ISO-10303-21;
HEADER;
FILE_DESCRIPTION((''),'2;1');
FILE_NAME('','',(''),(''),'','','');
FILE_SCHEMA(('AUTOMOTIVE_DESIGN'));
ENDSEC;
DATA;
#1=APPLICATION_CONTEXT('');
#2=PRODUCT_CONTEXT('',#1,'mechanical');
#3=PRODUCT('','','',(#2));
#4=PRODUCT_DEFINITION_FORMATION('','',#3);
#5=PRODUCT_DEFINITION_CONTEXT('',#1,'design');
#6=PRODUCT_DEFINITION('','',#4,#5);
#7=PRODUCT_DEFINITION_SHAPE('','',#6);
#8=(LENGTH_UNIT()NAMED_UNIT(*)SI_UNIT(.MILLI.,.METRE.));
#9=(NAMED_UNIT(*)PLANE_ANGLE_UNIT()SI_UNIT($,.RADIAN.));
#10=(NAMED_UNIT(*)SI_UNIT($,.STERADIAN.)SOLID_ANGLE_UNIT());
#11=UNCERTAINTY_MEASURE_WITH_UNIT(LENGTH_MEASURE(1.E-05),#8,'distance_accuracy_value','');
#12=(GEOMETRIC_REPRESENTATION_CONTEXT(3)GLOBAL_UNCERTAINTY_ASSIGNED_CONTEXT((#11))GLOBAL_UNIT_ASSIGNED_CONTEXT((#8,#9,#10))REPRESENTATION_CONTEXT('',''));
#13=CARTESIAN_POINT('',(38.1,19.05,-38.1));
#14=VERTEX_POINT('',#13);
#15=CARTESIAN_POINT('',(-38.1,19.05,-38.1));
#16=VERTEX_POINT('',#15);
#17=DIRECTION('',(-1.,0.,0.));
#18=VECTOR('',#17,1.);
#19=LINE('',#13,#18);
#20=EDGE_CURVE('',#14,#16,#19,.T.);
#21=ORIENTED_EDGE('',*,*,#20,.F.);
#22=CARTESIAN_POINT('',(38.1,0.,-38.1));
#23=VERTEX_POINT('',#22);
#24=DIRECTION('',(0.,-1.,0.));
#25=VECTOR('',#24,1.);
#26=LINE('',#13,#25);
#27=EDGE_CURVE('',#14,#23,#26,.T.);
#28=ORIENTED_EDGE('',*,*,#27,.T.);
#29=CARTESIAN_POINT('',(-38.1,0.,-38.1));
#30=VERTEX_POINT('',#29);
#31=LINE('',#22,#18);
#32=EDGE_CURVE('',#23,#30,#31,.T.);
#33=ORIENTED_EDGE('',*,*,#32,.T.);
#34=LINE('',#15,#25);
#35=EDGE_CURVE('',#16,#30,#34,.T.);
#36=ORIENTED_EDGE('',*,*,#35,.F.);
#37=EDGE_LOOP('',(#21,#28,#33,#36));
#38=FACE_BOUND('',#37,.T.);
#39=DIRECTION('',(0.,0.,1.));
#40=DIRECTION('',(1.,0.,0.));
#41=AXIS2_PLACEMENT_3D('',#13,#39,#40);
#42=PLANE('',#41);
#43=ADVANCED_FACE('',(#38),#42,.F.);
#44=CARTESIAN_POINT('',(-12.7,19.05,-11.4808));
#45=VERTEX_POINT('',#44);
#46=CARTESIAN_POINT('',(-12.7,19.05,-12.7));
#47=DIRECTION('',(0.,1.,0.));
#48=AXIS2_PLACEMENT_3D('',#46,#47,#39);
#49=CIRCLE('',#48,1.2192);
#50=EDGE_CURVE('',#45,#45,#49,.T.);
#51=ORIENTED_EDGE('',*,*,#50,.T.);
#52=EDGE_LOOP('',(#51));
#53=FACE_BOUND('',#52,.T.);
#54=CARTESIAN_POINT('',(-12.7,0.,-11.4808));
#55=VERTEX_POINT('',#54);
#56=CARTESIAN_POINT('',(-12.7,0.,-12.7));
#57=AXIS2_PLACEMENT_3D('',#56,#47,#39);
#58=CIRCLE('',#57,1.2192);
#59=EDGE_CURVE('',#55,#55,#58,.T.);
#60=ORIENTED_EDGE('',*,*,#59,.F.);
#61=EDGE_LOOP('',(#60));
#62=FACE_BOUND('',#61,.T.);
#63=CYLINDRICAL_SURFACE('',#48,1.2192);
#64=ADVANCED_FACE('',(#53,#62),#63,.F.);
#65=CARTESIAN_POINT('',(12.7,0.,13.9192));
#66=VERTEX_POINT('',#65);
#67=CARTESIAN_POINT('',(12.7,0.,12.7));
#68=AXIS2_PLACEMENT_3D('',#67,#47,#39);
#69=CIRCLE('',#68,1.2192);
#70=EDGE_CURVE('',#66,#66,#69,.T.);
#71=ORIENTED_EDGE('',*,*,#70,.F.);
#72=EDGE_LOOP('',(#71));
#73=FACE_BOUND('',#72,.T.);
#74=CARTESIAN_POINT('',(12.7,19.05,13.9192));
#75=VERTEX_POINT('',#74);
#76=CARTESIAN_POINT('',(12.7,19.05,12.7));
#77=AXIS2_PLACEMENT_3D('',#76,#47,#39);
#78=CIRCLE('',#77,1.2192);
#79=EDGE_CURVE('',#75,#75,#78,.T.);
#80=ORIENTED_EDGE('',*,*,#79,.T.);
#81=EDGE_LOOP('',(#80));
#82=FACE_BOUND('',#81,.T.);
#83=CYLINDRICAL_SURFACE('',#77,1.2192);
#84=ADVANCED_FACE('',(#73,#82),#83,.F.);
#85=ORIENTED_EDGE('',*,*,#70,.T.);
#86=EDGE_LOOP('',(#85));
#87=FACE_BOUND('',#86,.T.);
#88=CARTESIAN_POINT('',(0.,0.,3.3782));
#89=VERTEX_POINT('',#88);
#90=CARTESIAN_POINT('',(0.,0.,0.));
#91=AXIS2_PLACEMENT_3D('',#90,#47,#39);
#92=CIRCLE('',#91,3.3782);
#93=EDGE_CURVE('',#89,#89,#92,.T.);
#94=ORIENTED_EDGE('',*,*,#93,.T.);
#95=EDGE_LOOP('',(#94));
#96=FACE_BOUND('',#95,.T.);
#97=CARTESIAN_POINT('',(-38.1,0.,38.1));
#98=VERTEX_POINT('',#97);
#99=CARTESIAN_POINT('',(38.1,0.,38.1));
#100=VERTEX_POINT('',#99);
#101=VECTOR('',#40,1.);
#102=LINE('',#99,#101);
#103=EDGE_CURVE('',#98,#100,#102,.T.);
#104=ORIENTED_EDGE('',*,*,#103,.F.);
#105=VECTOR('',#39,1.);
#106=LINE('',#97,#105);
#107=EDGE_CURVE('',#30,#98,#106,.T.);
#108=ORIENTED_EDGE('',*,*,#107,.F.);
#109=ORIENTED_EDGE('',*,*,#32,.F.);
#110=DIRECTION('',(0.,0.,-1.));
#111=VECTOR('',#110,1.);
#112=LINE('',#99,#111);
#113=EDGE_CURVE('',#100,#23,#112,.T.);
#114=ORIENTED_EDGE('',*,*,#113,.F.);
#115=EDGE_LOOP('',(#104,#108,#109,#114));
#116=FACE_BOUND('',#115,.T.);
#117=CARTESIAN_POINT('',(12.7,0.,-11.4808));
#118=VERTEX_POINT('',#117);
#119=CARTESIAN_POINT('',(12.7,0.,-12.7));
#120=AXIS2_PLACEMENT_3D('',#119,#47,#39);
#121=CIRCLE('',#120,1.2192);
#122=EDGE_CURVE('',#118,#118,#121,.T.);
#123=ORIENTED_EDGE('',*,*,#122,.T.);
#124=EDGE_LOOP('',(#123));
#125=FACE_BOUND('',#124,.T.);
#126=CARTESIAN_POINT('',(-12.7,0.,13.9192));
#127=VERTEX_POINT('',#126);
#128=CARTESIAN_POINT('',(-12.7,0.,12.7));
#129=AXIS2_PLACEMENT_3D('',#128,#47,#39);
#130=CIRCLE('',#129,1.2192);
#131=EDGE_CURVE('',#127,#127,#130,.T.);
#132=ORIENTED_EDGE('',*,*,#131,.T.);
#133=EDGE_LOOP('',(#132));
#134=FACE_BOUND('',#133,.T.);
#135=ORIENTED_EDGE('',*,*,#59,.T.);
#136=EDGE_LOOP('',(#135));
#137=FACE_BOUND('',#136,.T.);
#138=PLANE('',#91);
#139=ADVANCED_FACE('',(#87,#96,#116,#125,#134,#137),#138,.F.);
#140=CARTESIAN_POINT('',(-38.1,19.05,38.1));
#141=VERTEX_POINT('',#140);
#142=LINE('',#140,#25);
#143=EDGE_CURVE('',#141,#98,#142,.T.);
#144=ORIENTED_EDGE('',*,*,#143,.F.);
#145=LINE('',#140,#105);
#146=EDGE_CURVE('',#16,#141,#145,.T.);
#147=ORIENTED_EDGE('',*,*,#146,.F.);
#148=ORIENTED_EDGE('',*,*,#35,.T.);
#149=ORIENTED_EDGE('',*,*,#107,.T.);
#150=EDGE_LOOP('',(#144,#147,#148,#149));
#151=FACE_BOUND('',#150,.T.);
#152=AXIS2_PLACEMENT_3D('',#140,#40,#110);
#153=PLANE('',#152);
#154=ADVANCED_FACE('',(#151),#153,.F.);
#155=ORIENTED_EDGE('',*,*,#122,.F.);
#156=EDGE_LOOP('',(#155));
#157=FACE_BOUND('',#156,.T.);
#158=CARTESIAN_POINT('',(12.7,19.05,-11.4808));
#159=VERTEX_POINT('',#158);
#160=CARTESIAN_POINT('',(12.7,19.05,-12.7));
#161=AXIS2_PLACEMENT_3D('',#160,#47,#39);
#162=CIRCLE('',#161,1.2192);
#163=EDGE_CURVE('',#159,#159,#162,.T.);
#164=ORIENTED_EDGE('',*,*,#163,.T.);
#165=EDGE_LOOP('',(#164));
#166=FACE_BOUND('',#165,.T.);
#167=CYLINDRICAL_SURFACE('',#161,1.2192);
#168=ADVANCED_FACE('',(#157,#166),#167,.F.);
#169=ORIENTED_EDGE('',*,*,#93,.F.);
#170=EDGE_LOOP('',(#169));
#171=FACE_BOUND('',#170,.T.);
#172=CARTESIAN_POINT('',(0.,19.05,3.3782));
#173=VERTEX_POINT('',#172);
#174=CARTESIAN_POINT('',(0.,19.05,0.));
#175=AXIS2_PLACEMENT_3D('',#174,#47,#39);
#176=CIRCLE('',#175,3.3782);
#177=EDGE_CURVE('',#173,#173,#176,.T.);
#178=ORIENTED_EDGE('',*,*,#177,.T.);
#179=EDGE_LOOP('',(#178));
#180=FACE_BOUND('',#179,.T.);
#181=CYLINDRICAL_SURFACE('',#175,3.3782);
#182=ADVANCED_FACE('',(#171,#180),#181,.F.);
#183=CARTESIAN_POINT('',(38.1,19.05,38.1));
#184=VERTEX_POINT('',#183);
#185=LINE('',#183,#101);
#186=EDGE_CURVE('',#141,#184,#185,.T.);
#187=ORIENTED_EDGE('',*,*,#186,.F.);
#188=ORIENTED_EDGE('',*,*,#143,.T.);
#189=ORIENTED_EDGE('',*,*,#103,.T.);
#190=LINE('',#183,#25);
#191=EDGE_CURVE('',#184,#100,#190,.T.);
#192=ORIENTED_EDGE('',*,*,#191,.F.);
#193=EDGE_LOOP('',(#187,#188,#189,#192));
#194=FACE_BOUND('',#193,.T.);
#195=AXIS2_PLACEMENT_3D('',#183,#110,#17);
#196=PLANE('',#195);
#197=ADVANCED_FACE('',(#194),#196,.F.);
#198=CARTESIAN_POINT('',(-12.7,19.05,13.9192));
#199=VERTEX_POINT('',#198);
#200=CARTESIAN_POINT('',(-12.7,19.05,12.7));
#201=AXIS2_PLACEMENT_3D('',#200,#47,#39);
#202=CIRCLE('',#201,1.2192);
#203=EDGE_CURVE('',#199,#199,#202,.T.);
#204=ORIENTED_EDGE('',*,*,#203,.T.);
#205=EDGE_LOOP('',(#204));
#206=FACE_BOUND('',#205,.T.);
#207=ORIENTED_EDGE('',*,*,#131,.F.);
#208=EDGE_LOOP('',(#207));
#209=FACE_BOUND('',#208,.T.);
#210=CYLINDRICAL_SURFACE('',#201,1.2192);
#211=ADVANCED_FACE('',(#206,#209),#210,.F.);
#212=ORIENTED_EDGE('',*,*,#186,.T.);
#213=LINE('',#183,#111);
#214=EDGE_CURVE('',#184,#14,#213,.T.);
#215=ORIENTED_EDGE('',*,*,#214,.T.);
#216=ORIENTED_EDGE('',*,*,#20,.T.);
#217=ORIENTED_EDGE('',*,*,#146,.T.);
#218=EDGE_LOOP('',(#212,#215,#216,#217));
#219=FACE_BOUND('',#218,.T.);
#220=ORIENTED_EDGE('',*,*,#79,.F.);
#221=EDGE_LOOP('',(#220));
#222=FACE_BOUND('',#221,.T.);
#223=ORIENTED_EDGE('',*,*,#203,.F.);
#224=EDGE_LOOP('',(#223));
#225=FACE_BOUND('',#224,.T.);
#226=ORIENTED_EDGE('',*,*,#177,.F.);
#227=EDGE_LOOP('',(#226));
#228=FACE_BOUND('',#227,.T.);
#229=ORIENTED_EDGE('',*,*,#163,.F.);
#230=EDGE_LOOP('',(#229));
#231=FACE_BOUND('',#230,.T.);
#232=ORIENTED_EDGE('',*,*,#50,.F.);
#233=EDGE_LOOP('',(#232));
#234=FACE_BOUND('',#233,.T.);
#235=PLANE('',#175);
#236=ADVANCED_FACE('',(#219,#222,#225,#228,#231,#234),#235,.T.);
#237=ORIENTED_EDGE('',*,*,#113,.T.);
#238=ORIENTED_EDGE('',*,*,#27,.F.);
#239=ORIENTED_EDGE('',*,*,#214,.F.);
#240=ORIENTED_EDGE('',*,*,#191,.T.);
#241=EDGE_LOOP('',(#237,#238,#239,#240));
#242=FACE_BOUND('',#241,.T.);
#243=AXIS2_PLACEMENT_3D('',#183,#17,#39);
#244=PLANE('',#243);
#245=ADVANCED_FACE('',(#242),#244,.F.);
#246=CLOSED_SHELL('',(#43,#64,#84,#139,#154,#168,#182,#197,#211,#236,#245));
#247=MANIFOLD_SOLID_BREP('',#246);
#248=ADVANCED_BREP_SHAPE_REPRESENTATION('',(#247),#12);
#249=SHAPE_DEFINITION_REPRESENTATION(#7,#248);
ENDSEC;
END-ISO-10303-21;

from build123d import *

# Parameters (mm, degrees)
SKETCH1_W               = 76.2
SKETCH1_H               = 76.2
BOSS_EXTRUDE1_DEPTH     = 19.05
F_1_4_CLEARANCE_HOLE1_D = 6.7564
F_2_CLEARANCE_HOLE1_D   = 2.4384
F_2_CLEARANCE_HOLE2_D   = 2.4384


with BuildPart() as part:
    # Sketch1 → Boss-Extrude1 (new body)
    with BuildSketch(Plane(origin=(0, 0, 0), x_dir=(1, 0, 0), z_dir=(0, 1, 0))):
        Rectangle(SKETCH1_W, SKETCH1_H)
    extrude(amount=BOSS_EXTRUDE1_DEPTH)

    # 1/4 Clearance Hole1 (through all)
    with Locations(Plane(origin=(0, 19.05, 0), x_dir=(1, 0, 0), z_dir=(0, 1, 0))):
        with Locations((0, 0)):
            Hole(F_1_4_CLEARANCE_HOLE1_D / 2)

    # #2 Clearance Hole1 (through all)
    with Locations(Plane(origin=(0, 19.05, 0), x_dir=(1, 0, 0), z_dir=(0, 1, 0))):
        with Locations((-12.7, 12.7), (0, 0)):
            Hole(F_2_CLEARANCE_HOLE1_D / 2)

    # #2 Clearance Hole2 (through all)
    with Locations(Plane(origin=(0, 19.05, 0), x_dir=(1, 0, 0), z_dir=(0, 1, 0))):
        with Locations((12.7, 12.7), (-12.7, -12.7), (12.7, -12.7)):
            Hole(F_2_CLEARANCE_HOLE2_D / 2)


solid = part.part
